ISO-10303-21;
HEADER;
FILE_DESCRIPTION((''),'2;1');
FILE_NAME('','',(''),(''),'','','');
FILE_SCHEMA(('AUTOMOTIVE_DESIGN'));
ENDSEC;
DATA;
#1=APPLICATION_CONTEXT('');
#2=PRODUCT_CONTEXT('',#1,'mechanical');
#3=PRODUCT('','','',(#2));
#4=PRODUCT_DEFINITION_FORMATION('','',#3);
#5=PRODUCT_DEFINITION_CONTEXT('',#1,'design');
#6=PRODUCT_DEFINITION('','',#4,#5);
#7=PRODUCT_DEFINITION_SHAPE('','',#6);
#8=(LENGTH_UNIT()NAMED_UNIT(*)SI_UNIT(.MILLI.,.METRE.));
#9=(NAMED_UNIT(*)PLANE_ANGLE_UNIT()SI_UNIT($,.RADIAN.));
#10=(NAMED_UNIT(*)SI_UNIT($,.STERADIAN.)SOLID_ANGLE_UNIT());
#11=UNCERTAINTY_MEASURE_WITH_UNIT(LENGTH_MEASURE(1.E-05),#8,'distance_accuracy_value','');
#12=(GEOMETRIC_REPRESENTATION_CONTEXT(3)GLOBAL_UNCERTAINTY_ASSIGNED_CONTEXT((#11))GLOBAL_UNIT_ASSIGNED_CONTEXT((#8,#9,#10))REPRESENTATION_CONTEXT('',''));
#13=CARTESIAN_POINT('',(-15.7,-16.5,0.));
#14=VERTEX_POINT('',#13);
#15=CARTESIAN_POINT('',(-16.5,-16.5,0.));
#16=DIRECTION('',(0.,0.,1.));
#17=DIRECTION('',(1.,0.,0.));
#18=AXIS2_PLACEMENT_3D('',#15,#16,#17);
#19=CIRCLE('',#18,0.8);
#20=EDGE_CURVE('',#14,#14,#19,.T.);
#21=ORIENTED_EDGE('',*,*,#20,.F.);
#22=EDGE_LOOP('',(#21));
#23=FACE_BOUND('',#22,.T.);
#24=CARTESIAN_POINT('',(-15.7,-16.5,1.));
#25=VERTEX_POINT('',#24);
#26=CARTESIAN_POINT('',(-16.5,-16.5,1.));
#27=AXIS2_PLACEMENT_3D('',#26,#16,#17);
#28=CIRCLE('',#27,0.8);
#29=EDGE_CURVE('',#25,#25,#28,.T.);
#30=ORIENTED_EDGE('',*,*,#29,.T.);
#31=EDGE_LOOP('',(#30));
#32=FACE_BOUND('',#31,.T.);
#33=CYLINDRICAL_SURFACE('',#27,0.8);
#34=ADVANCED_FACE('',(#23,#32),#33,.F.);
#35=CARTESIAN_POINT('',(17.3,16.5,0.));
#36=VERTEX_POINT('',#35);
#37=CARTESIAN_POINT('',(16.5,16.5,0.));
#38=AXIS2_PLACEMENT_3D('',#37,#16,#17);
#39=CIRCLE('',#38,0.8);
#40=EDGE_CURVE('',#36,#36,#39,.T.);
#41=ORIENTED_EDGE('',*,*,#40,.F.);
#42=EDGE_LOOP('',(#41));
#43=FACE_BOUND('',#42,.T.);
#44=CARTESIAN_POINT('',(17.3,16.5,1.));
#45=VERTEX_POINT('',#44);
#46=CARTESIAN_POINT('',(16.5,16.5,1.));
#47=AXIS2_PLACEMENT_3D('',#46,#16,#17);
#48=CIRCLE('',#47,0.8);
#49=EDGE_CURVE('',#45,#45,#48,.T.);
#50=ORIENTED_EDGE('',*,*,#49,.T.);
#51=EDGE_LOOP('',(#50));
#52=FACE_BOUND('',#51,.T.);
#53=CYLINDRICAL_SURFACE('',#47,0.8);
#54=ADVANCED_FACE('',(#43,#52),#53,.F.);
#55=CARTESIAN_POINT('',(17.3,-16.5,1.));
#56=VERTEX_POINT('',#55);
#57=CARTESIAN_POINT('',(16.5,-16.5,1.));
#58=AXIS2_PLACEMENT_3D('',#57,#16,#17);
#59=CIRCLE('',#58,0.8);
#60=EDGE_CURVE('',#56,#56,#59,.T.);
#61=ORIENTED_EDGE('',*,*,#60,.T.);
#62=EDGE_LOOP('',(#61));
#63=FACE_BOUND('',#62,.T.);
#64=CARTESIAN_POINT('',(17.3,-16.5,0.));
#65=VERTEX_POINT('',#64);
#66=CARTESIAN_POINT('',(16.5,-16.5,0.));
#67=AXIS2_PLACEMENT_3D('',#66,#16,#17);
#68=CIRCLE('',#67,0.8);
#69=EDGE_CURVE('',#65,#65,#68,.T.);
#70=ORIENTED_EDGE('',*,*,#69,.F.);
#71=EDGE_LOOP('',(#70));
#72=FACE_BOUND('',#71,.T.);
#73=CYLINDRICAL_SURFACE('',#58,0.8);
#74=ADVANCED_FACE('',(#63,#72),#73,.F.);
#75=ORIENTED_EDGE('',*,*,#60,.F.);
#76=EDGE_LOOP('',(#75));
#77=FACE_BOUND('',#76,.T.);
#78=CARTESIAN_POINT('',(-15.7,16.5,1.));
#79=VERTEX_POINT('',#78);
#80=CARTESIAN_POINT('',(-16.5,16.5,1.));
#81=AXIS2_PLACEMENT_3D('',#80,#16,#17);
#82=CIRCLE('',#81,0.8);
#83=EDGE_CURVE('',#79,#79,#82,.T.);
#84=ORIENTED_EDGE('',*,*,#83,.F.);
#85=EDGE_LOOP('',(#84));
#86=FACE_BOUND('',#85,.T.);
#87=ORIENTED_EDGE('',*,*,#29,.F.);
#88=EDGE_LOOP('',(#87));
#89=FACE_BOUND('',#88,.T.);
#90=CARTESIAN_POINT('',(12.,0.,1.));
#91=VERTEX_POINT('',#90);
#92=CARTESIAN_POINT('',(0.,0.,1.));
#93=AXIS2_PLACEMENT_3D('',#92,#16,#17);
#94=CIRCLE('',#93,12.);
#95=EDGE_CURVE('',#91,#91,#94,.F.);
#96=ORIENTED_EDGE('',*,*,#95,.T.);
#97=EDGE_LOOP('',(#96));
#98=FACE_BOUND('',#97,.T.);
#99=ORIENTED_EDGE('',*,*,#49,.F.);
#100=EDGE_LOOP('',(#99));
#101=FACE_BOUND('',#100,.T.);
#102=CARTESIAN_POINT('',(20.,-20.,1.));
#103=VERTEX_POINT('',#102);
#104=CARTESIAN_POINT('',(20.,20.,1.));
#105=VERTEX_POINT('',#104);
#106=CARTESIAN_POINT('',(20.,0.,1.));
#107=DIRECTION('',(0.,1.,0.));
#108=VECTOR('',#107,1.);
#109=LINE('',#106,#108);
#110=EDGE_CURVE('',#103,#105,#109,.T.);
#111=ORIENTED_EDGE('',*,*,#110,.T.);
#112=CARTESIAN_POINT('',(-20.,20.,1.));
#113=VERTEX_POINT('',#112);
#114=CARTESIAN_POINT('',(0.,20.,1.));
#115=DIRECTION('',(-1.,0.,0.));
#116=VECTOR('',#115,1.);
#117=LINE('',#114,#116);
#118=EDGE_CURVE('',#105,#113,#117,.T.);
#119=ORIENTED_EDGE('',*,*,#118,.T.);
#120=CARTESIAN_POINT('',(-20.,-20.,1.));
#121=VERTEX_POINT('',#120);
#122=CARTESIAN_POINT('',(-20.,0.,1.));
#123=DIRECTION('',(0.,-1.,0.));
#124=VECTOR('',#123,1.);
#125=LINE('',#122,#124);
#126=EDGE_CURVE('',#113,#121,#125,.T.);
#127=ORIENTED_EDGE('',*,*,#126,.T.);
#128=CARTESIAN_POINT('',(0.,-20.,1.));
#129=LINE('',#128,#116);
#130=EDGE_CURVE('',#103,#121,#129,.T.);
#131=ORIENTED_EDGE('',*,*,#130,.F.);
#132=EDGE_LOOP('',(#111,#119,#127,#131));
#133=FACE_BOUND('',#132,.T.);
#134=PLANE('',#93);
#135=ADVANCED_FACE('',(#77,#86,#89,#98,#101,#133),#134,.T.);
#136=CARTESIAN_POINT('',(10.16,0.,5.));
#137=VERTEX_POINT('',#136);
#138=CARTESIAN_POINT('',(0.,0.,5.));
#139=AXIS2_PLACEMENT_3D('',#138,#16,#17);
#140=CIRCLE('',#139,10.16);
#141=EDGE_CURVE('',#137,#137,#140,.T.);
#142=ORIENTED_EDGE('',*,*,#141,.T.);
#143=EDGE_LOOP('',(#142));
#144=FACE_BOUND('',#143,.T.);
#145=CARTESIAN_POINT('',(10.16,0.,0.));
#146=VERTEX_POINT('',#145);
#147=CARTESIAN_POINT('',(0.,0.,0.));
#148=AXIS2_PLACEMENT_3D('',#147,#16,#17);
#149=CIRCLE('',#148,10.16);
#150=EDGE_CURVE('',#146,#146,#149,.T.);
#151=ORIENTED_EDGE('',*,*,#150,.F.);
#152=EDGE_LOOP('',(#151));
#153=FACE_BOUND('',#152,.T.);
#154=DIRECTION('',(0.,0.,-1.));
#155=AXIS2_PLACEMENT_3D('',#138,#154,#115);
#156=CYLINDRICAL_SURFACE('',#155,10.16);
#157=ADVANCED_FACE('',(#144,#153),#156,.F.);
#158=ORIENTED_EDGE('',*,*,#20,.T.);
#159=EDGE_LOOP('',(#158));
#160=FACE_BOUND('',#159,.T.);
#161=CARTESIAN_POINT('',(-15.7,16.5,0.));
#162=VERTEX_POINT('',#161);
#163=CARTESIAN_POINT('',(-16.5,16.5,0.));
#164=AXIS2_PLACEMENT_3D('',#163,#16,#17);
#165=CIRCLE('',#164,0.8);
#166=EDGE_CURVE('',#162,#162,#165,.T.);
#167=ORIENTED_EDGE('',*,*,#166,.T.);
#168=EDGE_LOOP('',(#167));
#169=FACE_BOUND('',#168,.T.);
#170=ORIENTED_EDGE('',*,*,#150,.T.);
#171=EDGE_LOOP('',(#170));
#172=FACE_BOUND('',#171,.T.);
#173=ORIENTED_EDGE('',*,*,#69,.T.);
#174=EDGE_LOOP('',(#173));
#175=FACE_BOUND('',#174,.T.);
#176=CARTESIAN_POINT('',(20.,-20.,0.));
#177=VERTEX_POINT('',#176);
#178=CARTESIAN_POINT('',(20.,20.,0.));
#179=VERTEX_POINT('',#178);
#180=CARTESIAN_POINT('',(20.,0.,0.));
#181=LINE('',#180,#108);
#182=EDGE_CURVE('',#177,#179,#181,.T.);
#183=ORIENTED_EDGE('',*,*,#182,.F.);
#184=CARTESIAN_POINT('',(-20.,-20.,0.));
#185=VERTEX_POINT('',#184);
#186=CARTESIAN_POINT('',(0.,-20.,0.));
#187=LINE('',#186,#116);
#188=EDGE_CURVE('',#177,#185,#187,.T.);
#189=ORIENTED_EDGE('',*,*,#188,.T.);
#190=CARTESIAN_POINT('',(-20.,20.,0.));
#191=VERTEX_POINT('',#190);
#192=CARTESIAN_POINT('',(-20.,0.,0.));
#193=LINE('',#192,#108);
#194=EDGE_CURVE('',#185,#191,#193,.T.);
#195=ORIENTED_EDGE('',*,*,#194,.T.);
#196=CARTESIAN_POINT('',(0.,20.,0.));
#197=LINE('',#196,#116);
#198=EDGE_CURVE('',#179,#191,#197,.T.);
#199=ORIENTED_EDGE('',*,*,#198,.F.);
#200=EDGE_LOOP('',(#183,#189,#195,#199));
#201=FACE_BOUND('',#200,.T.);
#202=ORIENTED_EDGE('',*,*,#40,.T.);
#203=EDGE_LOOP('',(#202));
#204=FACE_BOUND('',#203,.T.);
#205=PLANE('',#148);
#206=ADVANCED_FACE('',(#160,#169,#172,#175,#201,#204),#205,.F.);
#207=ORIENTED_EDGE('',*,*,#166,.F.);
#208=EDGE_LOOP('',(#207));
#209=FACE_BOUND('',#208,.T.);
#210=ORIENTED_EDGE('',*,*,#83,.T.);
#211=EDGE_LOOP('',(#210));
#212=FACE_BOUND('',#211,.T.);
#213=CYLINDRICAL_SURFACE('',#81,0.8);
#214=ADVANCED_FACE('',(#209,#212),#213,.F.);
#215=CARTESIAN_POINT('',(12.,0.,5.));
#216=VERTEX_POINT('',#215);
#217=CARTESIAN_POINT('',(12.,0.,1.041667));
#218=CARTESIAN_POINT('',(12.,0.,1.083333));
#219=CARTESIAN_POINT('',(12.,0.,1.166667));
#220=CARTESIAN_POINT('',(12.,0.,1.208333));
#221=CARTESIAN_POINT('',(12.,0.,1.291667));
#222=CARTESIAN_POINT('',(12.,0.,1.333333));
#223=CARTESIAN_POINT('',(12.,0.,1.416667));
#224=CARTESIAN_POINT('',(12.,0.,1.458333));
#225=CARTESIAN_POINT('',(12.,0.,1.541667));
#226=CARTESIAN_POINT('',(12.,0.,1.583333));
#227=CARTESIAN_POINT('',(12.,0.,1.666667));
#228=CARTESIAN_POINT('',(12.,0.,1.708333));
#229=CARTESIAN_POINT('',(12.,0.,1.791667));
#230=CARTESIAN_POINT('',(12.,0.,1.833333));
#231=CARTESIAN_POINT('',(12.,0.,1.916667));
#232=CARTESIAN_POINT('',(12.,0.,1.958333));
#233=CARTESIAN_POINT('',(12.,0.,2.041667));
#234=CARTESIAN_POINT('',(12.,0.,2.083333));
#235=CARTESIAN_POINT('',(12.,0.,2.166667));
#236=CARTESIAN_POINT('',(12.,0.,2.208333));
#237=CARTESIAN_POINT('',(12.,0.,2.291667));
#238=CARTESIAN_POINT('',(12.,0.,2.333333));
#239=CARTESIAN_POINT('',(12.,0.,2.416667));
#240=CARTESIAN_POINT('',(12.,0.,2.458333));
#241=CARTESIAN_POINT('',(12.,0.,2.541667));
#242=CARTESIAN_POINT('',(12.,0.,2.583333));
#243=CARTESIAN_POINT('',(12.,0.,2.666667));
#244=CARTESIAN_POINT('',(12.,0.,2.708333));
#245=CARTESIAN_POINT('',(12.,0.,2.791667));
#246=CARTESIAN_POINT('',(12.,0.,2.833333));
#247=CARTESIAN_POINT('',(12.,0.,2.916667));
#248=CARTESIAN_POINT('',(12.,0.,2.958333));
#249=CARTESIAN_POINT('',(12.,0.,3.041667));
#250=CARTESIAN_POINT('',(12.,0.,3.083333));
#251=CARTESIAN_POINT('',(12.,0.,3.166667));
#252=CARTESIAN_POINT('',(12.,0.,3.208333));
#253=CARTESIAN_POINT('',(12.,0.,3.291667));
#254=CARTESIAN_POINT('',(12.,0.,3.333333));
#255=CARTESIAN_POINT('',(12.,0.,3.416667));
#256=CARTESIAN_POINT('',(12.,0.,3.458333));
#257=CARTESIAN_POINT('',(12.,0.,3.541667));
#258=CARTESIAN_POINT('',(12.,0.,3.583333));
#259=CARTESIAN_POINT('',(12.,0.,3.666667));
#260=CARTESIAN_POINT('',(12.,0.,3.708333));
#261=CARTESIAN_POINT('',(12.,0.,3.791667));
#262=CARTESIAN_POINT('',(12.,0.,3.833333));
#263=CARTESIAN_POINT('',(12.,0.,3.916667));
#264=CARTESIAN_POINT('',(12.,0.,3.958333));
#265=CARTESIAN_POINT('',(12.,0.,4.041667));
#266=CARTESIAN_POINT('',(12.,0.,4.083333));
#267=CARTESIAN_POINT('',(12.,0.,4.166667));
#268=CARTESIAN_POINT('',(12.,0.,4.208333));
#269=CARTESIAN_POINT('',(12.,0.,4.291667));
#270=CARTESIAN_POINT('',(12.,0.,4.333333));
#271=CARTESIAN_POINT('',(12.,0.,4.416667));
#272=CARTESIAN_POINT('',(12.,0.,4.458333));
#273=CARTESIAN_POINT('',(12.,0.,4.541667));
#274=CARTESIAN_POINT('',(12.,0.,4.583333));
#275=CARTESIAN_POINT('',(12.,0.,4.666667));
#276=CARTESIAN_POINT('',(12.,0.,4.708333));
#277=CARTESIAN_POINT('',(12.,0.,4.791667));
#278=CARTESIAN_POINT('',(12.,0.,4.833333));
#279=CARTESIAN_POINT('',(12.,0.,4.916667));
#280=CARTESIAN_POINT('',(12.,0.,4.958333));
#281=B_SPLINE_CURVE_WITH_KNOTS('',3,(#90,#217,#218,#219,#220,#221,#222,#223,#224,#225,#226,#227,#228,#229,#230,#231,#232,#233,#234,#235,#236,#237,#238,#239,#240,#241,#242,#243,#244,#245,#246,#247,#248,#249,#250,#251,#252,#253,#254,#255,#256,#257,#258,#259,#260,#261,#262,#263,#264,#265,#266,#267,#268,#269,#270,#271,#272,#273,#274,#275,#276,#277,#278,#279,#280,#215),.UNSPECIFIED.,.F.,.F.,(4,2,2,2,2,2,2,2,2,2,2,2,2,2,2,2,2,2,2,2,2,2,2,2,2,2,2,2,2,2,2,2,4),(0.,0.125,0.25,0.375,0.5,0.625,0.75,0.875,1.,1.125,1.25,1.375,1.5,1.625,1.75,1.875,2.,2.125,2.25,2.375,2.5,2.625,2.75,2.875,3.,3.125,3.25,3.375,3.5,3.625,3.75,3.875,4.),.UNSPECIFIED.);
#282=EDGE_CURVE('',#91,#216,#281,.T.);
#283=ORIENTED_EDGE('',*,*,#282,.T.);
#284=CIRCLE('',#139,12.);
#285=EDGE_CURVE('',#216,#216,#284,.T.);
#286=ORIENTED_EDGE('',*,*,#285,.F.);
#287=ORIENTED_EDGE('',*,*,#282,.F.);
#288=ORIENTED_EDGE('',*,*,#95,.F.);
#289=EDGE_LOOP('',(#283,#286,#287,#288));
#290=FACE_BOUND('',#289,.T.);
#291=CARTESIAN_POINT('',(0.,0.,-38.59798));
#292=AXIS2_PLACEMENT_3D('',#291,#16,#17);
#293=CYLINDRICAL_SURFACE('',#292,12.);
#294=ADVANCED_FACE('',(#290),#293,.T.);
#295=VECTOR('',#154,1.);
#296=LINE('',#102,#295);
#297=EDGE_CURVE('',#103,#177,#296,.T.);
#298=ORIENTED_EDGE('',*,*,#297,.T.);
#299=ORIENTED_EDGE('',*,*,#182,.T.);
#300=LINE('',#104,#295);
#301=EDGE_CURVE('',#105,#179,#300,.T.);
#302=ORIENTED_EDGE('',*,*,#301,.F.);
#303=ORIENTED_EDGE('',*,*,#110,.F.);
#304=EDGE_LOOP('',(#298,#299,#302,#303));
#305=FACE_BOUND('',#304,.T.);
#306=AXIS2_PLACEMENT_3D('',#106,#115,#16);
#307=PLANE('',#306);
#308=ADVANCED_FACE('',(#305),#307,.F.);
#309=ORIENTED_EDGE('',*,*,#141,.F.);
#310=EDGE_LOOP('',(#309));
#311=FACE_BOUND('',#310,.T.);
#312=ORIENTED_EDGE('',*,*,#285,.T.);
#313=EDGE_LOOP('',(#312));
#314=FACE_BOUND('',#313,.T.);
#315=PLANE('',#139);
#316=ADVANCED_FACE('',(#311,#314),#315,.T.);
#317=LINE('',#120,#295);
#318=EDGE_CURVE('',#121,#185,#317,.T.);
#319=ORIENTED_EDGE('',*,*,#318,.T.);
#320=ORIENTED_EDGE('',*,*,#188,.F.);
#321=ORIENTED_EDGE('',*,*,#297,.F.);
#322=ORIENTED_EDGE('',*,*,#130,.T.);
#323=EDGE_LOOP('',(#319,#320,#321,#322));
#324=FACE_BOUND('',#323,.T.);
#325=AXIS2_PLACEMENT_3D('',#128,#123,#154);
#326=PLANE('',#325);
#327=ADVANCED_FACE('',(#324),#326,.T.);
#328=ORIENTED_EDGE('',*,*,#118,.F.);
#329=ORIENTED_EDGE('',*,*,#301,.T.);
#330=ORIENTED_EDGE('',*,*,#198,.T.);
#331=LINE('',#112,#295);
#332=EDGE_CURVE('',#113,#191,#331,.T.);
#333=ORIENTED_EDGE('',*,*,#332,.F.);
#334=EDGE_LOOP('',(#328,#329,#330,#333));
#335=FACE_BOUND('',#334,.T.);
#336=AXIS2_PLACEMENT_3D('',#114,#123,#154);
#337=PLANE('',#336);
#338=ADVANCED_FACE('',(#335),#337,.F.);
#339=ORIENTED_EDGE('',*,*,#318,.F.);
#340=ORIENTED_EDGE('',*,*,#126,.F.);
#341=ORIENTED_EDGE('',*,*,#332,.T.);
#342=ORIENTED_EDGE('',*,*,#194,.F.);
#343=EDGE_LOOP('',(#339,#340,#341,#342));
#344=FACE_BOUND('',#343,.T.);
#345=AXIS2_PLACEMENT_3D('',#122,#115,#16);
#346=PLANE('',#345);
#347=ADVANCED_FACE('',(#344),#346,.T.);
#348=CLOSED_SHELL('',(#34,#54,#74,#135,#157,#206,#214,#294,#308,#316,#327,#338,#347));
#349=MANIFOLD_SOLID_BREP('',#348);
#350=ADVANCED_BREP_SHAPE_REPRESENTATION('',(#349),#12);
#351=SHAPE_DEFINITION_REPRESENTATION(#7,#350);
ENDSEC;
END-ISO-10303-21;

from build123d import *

# Parameters (mm, degrees)
SKETCH1_R             = 14
SKETCH1_R_2           = 10.16
BOSS_EXTRUDE1_DEPTH   = 5
SKETCH1_3_W           = 40
SKETCH1_3_H           = 40
SKETCH1_3_R           = 14
BOSS_EXTRUDE2_DEPTH   = 1
CUT_EXTRUDE1_START    = -4
SKETCH2_R             = 14
SKETCH2_R_2           = 12
CUT_EXTRUDE1_DEPTH    = 4
SKETCH3_W             = 1
SKETCH3_H             = 40
BOSS_EXTRUDE3_DEPTH   = 50
BOSS_EXTRUDE5_DEPTH   = 50
SKETCH5_W             = 40
SKETCH5_H             = 50
CUT_EXTRUDE2_DEPTH    = 22
M2_TAPPED_HOLE2_D     = 1.6
M2_TAPPED_HOLE2_DEPTH = 6
M2_TAPPED_HOLE2_TIP   = 0.480688495


with BuildPart() as part:
    # Sketch1 → Boss-Extrude1 (new body)
    with BuildSketch(Plane(origin=(0, 0, 0), x_dir=(0, 1, 0), z_dir=(0, 0, 1))):
        with Locations(Location((0, 0, 0), (0, 0, 270))):
            Circle(SKETCH1_R)
        with Locations(Location((0, 0, 0), (0, 0, 270))):
            Circle(SKETCH1_R_2, mode=Mode.SUBTRACT)
    extrude(amount=BOSS_EXTRUDE1_DEPTH)

    # Sketch1<3> → Boss-Extrude2 (add)
    with BuildSketch(Plane(origin=(0, 0, 0), x_dir=(0, 1, 0), z_dir=(0, 0, 1))):
        Rectangle(SKETCH1_3_W, SKETCH1_3_H)
        with Locations(Location((0, 0, 0), (0, 0, 270))):
            Circle(SKETCH1_3_R, mode=Mode.SUBTRACT)
    extrude(amount=BOSS_EXTRUDE2_DEPTH)

    # Sketch2 → Cut-Extrude1 (cut)
    with BuildSketch(Plane.XY.offset(5).offset(CUT_EXTRUDE1_START)):
        Circle(SKETCH2_R)
        Circle(SKETCH2_R_2, mode=Mode.SUBTRACT)
    extrude(amount=CUT_EXTRUDE1_DEPTH, mode=Mode.SUBTRACT)

    # Sketch3 → Boss-Extrude3 (add)
    with BuildSketch(Plane.XY.offset(1)):
        with Locations((-19.5, 0)):
            Rectangle(SKETCH3_W, SKETCH3_H)
    extrude(amount=BOSS_EXTRUDE3_DEPTH)

    # Sketch4 → Boss-Extrude5 (add)
    with BuildSketch(Plane.XY.offset(51)):
        Polygon((-17, 5), (-19, 4), (-19, 0), (-19, -4), (-17, -5), align=None)
    extrude(amount=-BOSS_EXTRUDE5_DEPTH)

    # Sketch5 → Cut-Extrude2 (cut)
    with BuildSketch(Plane.YZ.offset(-17)):
        with Locations((0, 26)):
            Rectangle(SKETCH5_W, SKETCH5_H)
    extrude(amount=-CUT_EXTRUDE2_DEPTH, mode=Mode.SUBTRACT)

    # M2 Tapped Hole2
    with Locations(Plane.XY.offset(1)):
        with Locations((-16.5, -16.5), (-16.5, 16.5), (16.5, 16.5), (16.5, -16.5)):
            Hole(M2_TAPPED_HOLE2_D / 2, depth=M2_TAPPED_HOLE2_DEPTH)
            with Locations((0, 0, -(M2_TAPPED_HOLE2_DEPTH + M2_TAPPED_HOLE2_TIP / 2))):  # 118° drill point
                Cone(0, M2_TAPPED_HOLE2_D / 2, M2_TAPPED_HOLE2_TIP, mode=Mode.SUBTRACT)


solid = part.part
